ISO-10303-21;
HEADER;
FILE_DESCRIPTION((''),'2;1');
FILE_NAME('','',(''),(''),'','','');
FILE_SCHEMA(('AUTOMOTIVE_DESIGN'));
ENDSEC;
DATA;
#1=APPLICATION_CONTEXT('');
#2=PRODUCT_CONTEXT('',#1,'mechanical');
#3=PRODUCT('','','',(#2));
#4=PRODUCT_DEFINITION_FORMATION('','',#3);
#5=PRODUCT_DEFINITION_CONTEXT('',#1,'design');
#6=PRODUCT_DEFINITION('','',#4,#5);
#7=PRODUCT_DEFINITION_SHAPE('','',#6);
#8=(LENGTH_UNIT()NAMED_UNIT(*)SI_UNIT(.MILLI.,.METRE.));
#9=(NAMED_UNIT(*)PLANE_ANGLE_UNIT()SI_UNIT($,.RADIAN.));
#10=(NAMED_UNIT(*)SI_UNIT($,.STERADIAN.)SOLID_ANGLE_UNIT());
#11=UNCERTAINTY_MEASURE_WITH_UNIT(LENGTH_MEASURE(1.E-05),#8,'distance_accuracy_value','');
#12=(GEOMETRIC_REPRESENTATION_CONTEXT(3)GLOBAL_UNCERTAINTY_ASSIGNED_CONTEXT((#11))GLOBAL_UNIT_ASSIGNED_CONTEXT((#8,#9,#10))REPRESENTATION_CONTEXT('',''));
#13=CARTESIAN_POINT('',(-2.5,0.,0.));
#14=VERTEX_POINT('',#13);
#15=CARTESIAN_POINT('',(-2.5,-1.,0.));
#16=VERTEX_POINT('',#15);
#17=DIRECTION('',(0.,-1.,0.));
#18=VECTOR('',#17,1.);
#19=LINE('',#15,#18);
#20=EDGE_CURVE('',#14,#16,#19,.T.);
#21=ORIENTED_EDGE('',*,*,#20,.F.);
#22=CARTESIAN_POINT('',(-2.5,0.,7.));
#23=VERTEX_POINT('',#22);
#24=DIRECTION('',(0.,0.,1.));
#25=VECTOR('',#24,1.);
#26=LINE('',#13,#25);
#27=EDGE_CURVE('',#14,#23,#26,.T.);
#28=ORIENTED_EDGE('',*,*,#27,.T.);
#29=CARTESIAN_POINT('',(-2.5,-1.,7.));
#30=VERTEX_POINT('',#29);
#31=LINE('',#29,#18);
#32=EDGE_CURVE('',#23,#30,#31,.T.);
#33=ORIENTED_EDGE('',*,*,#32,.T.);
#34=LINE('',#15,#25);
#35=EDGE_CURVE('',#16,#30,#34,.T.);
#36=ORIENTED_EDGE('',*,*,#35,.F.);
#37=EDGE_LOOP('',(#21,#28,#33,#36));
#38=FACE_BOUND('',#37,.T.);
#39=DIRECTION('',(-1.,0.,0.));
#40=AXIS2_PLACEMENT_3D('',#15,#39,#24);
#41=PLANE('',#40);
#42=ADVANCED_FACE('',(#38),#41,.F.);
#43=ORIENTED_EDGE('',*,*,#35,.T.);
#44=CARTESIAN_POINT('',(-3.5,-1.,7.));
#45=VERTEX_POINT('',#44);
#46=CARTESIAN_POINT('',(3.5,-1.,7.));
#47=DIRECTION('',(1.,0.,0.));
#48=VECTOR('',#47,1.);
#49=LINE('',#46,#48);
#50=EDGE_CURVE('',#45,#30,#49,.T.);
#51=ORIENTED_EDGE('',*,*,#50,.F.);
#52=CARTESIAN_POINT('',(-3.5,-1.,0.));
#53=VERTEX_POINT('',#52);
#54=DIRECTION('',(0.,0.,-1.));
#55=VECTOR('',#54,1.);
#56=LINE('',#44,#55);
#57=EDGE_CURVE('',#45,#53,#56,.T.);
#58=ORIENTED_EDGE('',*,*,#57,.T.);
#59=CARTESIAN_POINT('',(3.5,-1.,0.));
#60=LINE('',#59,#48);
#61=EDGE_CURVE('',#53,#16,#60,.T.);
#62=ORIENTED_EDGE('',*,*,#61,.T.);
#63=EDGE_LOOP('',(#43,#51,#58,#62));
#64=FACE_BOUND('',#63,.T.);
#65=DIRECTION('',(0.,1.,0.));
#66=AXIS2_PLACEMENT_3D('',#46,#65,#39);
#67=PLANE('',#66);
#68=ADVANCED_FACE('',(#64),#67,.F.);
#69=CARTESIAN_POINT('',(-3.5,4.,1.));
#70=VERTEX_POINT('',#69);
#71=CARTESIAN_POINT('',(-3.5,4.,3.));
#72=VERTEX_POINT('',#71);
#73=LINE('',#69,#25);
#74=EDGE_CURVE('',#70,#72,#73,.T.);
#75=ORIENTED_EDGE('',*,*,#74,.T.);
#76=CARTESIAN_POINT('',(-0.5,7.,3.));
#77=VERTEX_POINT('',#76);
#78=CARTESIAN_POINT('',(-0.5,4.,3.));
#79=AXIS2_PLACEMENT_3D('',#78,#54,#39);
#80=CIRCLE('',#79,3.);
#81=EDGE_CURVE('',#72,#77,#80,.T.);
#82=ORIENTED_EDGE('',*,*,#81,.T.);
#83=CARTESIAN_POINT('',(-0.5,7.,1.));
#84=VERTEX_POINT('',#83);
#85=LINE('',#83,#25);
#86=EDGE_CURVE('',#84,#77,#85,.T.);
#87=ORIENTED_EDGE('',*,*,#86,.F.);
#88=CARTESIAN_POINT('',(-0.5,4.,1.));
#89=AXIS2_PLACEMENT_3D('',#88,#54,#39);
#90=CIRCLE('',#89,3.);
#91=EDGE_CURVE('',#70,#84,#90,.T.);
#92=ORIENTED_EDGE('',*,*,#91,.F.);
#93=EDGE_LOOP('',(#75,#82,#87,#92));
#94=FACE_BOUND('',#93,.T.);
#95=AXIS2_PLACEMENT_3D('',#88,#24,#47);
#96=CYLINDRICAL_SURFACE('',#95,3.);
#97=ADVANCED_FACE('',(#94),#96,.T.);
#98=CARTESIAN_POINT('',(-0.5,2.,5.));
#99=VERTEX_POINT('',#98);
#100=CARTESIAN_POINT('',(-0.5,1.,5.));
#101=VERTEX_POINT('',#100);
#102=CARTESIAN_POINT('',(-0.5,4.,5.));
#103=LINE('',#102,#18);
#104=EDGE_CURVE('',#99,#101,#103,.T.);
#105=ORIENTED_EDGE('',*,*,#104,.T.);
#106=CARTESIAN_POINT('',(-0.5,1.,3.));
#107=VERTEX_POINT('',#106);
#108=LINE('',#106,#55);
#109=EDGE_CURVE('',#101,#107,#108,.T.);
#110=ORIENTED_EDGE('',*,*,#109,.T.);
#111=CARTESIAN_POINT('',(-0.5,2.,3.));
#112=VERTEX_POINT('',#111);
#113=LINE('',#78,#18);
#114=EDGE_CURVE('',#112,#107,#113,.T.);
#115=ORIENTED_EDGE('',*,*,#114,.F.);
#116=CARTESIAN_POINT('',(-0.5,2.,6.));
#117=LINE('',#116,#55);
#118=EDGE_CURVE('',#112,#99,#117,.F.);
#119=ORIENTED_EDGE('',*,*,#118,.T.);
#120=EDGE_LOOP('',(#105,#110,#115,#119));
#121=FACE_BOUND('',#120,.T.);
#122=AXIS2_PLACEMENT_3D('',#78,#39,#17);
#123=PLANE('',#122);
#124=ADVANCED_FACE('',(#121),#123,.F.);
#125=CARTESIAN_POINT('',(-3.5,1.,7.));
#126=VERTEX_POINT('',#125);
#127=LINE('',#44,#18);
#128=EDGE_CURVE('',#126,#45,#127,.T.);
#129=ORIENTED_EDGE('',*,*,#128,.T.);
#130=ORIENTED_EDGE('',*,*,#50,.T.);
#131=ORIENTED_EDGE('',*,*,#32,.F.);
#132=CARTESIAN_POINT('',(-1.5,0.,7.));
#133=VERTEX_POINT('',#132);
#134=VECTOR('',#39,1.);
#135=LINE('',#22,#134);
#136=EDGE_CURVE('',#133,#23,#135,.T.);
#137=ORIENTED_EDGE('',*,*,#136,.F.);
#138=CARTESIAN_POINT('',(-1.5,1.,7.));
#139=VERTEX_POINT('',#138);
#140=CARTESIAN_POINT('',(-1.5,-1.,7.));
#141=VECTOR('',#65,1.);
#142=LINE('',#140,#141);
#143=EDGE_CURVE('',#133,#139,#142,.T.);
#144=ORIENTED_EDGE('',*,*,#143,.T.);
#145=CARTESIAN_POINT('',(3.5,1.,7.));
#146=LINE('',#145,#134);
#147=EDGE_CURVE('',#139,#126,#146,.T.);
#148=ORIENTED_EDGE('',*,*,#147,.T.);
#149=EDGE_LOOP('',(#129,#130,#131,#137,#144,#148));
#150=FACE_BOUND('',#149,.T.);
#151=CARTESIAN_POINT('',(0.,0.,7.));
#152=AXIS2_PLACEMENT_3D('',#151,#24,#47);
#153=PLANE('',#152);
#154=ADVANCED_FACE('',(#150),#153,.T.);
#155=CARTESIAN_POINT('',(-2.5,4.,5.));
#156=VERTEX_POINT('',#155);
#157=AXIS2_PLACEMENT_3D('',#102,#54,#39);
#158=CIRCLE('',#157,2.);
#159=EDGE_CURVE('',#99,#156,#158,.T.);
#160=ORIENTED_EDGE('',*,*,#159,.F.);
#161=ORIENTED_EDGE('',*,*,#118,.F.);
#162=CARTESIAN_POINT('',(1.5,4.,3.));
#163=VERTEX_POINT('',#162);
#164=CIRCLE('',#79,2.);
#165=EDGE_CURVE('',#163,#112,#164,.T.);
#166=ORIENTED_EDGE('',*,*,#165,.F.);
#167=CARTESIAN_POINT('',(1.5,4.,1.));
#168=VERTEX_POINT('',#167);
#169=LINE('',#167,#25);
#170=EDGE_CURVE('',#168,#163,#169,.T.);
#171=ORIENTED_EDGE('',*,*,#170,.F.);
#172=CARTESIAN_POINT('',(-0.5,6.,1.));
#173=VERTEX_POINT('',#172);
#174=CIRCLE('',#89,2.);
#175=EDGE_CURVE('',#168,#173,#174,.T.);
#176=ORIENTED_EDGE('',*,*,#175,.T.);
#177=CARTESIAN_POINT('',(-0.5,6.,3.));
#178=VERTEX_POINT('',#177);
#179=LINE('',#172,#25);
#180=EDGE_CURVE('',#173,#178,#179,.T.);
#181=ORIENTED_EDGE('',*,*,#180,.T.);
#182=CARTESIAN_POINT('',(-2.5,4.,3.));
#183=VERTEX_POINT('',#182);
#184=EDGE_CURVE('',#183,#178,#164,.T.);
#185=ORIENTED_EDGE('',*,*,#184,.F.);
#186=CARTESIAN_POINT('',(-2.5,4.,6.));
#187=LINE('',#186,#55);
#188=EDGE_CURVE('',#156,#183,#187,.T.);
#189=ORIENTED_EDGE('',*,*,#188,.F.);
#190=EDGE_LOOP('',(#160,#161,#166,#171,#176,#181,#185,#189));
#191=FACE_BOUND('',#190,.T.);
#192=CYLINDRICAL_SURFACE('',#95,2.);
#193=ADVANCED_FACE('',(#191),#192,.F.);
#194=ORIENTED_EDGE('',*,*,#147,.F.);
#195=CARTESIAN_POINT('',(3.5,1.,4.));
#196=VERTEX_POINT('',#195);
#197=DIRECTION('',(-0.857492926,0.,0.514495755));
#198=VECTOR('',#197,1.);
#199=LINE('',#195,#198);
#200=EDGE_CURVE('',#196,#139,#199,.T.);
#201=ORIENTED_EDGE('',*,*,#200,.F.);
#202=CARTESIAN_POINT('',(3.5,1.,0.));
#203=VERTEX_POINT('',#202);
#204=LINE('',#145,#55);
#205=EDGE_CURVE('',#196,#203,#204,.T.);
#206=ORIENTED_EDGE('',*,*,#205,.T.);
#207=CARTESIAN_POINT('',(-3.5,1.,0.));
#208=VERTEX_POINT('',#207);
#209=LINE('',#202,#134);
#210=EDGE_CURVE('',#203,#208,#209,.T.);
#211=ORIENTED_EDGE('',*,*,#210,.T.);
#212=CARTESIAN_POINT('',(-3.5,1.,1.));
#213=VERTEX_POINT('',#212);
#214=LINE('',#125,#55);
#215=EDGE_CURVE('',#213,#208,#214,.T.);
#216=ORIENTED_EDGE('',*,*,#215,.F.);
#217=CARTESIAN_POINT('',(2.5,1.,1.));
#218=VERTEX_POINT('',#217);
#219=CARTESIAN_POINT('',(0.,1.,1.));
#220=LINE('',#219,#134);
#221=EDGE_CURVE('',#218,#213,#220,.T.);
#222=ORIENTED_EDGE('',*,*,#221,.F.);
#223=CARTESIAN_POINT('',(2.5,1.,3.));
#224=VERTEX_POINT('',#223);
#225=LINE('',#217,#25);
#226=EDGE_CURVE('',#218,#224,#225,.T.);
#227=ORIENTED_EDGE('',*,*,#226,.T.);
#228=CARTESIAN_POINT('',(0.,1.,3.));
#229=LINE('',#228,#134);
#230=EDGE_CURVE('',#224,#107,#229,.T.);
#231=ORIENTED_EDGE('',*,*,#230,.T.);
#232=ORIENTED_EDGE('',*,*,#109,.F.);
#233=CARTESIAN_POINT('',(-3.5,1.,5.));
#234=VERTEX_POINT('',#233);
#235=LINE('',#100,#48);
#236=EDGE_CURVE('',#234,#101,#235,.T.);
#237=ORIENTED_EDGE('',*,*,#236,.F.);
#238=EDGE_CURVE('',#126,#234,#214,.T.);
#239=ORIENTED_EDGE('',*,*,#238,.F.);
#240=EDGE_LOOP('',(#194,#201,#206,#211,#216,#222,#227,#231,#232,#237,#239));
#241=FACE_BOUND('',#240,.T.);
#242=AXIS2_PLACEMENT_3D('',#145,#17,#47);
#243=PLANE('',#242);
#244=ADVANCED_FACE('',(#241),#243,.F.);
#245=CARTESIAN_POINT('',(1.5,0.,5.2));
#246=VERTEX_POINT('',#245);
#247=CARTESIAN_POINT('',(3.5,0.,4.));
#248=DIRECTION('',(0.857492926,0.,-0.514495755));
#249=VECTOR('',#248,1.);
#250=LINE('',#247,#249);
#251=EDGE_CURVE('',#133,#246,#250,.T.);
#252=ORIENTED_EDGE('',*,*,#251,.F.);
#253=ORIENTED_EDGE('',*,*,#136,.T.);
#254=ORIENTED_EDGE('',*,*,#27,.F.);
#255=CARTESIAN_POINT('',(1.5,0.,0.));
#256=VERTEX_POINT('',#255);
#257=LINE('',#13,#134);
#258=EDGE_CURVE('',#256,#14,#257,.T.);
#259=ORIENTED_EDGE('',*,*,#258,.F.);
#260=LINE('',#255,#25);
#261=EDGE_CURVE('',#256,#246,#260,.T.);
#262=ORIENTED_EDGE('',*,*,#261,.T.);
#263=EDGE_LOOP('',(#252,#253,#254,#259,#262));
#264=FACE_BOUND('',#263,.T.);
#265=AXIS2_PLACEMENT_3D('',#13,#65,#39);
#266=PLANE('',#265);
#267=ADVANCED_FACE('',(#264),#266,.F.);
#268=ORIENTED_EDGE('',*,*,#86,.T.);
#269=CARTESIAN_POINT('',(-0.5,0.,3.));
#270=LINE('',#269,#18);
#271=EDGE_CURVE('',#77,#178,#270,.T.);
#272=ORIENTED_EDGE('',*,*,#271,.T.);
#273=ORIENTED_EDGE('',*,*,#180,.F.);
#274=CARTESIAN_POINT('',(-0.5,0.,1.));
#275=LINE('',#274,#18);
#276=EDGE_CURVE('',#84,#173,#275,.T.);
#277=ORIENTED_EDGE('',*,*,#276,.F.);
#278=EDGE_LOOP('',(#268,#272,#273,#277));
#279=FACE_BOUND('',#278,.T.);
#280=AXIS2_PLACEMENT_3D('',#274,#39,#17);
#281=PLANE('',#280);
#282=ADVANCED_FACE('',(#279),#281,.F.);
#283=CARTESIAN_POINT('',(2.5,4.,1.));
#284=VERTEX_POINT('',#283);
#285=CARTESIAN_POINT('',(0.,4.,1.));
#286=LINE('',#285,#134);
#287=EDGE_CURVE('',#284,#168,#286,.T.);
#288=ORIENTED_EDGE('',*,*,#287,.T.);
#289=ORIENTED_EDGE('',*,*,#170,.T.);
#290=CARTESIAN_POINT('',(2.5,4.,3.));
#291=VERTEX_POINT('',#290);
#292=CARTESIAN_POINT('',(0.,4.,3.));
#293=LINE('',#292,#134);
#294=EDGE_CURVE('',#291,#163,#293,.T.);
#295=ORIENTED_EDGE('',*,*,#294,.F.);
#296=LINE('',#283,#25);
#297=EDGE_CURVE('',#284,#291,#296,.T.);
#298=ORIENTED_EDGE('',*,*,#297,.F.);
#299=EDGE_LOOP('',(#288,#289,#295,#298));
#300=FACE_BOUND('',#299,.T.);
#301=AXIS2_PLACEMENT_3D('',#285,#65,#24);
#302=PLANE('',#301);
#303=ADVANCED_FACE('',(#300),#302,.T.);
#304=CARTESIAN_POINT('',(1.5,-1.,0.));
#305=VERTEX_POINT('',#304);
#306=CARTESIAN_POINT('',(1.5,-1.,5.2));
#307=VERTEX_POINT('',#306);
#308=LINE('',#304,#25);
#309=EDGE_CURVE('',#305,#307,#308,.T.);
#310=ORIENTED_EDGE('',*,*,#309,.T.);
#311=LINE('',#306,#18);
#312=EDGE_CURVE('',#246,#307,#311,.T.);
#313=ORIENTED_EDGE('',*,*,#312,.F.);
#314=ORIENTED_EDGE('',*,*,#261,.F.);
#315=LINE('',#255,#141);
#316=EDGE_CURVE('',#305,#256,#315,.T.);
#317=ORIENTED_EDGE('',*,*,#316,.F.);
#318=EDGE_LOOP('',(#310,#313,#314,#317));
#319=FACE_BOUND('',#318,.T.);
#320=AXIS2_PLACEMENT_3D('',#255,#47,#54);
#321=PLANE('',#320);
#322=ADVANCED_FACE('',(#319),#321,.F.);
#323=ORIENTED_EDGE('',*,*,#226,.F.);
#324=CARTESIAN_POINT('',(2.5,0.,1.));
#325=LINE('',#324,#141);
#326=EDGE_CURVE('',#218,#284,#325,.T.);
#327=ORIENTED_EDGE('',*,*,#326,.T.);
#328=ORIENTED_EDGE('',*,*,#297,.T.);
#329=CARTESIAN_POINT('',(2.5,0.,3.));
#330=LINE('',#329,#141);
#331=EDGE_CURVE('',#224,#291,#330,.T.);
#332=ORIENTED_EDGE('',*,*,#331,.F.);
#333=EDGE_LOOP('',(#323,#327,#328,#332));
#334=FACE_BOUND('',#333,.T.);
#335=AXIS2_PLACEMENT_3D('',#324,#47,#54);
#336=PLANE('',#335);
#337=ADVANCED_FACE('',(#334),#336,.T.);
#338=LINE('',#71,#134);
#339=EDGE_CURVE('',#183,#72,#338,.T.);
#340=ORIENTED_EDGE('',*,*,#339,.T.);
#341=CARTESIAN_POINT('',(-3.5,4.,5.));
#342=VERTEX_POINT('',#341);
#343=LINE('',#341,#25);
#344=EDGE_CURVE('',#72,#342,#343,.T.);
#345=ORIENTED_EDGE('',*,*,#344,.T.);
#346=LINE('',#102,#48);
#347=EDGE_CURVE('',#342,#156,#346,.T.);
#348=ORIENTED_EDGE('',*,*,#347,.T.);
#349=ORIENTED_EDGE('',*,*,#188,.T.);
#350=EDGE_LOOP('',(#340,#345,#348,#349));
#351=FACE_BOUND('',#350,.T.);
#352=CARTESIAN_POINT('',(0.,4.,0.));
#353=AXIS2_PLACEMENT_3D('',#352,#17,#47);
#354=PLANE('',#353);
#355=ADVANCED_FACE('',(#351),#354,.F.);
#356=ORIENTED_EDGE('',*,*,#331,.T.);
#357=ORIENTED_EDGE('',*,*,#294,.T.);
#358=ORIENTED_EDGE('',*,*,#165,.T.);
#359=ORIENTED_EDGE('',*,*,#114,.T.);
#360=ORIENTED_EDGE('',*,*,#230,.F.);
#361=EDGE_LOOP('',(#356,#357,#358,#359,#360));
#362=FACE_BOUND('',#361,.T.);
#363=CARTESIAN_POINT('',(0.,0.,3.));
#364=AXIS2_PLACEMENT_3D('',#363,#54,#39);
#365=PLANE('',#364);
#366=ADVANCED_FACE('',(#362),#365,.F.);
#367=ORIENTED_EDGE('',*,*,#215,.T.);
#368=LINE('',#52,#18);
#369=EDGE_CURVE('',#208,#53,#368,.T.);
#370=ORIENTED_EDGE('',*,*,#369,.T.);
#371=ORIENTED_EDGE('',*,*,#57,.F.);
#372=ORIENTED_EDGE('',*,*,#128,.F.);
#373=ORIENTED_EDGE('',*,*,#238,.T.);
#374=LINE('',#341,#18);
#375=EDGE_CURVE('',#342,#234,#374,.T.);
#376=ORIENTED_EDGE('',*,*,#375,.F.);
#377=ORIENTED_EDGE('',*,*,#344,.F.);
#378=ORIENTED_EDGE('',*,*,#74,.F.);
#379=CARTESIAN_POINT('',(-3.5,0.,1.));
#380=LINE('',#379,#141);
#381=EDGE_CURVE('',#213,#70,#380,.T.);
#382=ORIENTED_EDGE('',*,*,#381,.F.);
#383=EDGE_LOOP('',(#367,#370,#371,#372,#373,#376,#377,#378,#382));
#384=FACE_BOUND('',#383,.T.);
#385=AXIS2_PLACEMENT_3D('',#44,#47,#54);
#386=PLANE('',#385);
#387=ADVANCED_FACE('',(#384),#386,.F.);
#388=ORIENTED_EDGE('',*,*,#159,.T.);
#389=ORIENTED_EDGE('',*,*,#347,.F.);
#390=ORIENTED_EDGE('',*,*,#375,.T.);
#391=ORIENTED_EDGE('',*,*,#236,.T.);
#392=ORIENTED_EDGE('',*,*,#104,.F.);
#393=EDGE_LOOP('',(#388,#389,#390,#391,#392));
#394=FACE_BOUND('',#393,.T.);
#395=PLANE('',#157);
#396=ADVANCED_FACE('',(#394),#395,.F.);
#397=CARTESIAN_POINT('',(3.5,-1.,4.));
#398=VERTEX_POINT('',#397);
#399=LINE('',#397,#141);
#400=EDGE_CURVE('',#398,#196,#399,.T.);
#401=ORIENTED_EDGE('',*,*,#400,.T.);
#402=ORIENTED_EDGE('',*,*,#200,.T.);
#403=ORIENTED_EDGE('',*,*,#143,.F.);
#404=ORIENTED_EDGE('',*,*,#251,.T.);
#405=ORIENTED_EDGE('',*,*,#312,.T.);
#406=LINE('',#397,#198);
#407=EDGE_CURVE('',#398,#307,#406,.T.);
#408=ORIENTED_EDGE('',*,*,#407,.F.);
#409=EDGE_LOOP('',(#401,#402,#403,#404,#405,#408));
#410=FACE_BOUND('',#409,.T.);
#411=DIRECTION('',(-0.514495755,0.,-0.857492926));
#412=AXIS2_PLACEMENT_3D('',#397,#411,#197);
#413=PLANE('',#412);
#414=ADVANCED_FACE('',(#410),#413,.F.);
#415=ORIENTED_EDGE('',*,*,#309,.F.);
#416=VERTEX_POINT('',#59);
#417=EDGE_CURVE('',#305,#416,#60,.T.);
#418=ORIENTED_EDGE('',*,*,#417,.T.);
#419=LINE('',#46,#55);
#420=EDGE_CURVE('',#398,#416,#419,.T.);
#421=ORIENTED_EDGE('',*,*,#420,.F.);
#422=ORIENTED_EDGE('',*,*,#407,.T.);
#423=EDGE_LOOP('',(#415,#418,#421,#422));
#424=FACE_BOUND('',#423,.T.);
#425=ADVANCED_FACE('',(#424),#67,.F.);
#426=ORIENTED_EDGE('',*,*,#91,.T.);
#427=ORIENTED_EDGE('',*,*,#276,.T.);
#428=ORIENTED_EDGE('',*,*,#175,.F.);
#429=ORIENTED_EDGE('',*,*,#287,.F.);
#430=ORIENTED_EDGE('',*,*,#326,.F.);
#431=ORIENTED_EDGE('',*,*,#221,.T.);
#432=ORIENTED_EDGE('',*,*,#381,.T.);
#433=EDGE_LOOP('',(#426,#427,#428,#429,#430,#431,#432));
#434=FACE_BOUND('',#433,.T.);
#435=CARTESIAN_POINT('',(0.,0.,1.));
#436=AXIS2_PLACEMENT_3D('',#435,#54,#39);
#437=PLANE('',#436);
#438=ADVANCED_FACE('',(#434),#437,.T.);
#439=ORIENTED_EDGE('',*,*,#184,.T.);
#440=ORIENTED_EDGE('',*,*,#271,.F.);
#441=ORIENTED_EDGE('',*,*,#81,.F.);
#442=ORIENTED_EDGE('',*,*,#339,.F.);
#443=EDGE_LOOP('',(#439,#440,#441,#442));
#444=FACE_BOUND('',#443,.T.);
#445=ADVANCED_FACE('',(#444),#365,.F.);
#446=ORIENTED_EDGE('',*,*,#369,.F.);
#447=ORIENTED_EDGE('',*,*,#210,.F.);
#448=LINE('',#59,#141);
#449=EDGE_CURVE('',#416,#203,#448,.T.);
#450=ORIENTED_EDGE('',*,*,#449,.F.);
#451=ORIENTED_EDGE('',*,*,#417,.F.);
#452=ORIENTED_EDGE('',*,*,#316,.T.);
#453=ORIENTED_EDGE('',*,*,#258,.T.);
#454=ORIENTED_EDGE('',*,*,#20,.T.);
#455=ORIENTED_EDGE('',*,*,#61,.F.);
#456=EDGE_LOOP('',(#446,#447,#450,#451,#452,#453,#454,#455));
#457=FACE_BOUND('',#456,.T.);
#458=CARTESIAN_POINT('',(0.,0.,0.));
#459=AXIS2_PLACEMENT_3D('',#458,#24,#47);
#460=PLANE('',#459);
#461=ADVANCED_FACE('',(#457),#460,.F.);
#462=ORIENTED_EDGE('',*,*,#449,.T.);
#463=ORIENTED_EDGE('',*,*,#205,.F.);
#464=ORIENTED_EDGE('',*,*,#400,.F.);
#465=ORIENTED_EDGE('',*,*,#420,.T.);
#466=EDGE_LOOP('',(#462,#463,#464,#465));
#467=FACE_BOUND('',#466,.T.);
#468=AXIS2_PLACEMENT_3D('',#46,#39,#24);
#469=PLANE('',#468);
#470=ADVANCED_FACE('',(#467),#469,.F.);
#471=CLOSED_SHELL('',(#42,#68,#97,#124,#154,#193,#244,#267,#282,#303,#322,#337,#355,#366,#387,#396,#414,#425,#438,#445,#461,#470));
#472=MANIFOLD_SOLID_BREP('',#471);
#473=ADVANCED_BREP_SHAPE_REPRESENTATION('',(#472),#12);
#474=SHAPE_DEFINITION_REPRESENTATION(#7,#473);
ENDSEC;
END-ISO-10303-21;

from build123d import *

# Parameters (mm, degrees)
SKETCH1_W           = 7
SKETCH1_H           = 2
BOSS_EXTRUDE1_DEPTH = 7
CUT_EXTRUDE1_DEPTH  = 3
SKETCH3_W           = 4
SKETCH3_H           = 1
CUT_EXTRUDE2_DEPTH  = 8
SKETCH4_W           = 3
SKETCH4_H           = 2
BOSS_EXTRUDE2_DEPTH = 3
BOSS_EXTRUDE4_DEPTH = 2
SKETCH7_R           = 2
CUT_EXTRUDE4_DEPTH  = 5


with BuildPart() as part:
    # Sketch1 → Boss-Extrude1 (new body)
    with BuildSketch(Plane.XY):
        Rectangle(SKETCH1_W, SKETCH1_H)
    extrude(amount=BOSS_EXTRUDE1_DEPTH)

    # Sketch2 → Cut-Extrude1 (cut, through all)
    with BuildSketch(Plane(origin=(0, 1, 0), x_dir=(1, 0, 0), z_dir=(0, 1, 0))):
        Polygon((3.5, -4), (-1.5, -7), (3.5, -7), align=None)
    extrude(amount=-CUT_EXTRUDE1_DEPTH, mode=Mode.SUBTRACT)

    # Sketch3 → Cut-Extrude2 (cut, through all)
    with BuildSketch(Plane.XY.offset(7)):
        with Locations((-0.5, -0.5)):
            Rectangle(SKETCH3_W, SKETCH3_H)
    extrude(amount=-CUT_EXTRUDE2_DEPTH, mode=Mode.SUBTRACT)

    # Sketch4 → Boss-Extrude2 (add)
    with BuildSketch(Plane(origin=(0, 1, 0), x_dir=(1, 0, 0), z_dir=(0, 1, 0))):
        with Locations((-2, -4)):
            Rectangle(SKETCH4_W, SKETCH4_H)
    extrude(amount=BOSS_EXTRUDE2_DEPTH)

    # Sketch6 → Boss-Extrude4 (add)
    with BuildSketch(Plane(origin=(0, 0, 3), x_dir=(-1, 0, 0), z_dir=(0, 0, -1))):
        with BuildLine():
            Line((0.5, 2), (0.5, 1))
            ThreePointArc((0.5, 1), (2.621320344, 1.878679656), (3.5, 4))
            Line((3.5, 4), (2.5, 4))
            ThreePointArc((2.5, 4), (1.914213562, 2.585786438), (0.5, 2))
        make_face()
        with BuildLine():
            Line((-2.5, 1), (0.5, 1))
            Line((0.5, 1), (0.5, 2))
            ThreePointArc((0.5, 2), (-0.914213562, 2.585786438), (-1.5, 4))
            Line((-1.5, 4), (-2.5, 4))
            Line((-2.5, 4), (-2.5, 1))
        make_face()
        with BuildLine():
            Line((2.5, 4), (3.5, 4))
            ThreePointArc((3.5, 4), (2.621320344, 6.121320344), (0.5, 7))
            Line((0.5, 7), (0.5, 6))
            ThreePointArc((0.5, 6), (1.914213562, 5.414213562), (2.5, 4))
        make_face()
        with BuildLine():
            ThreePointArc((3.5, 4), (2.621320344, 1.878679656), (0.5, 1))
            Line((0.5, 1), (3.5, 1))
            Line((3.5, 1), (3.5, 4))
        make_face()
    extrude(amount=BOSS_EXTRUDE4_DEPTH)

    # Sketch7 → Cut-Extrude4 (cut)
    with BuildSketch(Plane(origin=(0, 0, 1), x_dir=(-1, 0, 0), z_dir=(0, 0, -1))):
        with Locations((0.5, 4)):
            Circle(SKETCH7_R)
    extrude(amount=-CUT_EXTRUDE4_DEPTH, mode=Mode.SUBTRACT)


solid = part.part
